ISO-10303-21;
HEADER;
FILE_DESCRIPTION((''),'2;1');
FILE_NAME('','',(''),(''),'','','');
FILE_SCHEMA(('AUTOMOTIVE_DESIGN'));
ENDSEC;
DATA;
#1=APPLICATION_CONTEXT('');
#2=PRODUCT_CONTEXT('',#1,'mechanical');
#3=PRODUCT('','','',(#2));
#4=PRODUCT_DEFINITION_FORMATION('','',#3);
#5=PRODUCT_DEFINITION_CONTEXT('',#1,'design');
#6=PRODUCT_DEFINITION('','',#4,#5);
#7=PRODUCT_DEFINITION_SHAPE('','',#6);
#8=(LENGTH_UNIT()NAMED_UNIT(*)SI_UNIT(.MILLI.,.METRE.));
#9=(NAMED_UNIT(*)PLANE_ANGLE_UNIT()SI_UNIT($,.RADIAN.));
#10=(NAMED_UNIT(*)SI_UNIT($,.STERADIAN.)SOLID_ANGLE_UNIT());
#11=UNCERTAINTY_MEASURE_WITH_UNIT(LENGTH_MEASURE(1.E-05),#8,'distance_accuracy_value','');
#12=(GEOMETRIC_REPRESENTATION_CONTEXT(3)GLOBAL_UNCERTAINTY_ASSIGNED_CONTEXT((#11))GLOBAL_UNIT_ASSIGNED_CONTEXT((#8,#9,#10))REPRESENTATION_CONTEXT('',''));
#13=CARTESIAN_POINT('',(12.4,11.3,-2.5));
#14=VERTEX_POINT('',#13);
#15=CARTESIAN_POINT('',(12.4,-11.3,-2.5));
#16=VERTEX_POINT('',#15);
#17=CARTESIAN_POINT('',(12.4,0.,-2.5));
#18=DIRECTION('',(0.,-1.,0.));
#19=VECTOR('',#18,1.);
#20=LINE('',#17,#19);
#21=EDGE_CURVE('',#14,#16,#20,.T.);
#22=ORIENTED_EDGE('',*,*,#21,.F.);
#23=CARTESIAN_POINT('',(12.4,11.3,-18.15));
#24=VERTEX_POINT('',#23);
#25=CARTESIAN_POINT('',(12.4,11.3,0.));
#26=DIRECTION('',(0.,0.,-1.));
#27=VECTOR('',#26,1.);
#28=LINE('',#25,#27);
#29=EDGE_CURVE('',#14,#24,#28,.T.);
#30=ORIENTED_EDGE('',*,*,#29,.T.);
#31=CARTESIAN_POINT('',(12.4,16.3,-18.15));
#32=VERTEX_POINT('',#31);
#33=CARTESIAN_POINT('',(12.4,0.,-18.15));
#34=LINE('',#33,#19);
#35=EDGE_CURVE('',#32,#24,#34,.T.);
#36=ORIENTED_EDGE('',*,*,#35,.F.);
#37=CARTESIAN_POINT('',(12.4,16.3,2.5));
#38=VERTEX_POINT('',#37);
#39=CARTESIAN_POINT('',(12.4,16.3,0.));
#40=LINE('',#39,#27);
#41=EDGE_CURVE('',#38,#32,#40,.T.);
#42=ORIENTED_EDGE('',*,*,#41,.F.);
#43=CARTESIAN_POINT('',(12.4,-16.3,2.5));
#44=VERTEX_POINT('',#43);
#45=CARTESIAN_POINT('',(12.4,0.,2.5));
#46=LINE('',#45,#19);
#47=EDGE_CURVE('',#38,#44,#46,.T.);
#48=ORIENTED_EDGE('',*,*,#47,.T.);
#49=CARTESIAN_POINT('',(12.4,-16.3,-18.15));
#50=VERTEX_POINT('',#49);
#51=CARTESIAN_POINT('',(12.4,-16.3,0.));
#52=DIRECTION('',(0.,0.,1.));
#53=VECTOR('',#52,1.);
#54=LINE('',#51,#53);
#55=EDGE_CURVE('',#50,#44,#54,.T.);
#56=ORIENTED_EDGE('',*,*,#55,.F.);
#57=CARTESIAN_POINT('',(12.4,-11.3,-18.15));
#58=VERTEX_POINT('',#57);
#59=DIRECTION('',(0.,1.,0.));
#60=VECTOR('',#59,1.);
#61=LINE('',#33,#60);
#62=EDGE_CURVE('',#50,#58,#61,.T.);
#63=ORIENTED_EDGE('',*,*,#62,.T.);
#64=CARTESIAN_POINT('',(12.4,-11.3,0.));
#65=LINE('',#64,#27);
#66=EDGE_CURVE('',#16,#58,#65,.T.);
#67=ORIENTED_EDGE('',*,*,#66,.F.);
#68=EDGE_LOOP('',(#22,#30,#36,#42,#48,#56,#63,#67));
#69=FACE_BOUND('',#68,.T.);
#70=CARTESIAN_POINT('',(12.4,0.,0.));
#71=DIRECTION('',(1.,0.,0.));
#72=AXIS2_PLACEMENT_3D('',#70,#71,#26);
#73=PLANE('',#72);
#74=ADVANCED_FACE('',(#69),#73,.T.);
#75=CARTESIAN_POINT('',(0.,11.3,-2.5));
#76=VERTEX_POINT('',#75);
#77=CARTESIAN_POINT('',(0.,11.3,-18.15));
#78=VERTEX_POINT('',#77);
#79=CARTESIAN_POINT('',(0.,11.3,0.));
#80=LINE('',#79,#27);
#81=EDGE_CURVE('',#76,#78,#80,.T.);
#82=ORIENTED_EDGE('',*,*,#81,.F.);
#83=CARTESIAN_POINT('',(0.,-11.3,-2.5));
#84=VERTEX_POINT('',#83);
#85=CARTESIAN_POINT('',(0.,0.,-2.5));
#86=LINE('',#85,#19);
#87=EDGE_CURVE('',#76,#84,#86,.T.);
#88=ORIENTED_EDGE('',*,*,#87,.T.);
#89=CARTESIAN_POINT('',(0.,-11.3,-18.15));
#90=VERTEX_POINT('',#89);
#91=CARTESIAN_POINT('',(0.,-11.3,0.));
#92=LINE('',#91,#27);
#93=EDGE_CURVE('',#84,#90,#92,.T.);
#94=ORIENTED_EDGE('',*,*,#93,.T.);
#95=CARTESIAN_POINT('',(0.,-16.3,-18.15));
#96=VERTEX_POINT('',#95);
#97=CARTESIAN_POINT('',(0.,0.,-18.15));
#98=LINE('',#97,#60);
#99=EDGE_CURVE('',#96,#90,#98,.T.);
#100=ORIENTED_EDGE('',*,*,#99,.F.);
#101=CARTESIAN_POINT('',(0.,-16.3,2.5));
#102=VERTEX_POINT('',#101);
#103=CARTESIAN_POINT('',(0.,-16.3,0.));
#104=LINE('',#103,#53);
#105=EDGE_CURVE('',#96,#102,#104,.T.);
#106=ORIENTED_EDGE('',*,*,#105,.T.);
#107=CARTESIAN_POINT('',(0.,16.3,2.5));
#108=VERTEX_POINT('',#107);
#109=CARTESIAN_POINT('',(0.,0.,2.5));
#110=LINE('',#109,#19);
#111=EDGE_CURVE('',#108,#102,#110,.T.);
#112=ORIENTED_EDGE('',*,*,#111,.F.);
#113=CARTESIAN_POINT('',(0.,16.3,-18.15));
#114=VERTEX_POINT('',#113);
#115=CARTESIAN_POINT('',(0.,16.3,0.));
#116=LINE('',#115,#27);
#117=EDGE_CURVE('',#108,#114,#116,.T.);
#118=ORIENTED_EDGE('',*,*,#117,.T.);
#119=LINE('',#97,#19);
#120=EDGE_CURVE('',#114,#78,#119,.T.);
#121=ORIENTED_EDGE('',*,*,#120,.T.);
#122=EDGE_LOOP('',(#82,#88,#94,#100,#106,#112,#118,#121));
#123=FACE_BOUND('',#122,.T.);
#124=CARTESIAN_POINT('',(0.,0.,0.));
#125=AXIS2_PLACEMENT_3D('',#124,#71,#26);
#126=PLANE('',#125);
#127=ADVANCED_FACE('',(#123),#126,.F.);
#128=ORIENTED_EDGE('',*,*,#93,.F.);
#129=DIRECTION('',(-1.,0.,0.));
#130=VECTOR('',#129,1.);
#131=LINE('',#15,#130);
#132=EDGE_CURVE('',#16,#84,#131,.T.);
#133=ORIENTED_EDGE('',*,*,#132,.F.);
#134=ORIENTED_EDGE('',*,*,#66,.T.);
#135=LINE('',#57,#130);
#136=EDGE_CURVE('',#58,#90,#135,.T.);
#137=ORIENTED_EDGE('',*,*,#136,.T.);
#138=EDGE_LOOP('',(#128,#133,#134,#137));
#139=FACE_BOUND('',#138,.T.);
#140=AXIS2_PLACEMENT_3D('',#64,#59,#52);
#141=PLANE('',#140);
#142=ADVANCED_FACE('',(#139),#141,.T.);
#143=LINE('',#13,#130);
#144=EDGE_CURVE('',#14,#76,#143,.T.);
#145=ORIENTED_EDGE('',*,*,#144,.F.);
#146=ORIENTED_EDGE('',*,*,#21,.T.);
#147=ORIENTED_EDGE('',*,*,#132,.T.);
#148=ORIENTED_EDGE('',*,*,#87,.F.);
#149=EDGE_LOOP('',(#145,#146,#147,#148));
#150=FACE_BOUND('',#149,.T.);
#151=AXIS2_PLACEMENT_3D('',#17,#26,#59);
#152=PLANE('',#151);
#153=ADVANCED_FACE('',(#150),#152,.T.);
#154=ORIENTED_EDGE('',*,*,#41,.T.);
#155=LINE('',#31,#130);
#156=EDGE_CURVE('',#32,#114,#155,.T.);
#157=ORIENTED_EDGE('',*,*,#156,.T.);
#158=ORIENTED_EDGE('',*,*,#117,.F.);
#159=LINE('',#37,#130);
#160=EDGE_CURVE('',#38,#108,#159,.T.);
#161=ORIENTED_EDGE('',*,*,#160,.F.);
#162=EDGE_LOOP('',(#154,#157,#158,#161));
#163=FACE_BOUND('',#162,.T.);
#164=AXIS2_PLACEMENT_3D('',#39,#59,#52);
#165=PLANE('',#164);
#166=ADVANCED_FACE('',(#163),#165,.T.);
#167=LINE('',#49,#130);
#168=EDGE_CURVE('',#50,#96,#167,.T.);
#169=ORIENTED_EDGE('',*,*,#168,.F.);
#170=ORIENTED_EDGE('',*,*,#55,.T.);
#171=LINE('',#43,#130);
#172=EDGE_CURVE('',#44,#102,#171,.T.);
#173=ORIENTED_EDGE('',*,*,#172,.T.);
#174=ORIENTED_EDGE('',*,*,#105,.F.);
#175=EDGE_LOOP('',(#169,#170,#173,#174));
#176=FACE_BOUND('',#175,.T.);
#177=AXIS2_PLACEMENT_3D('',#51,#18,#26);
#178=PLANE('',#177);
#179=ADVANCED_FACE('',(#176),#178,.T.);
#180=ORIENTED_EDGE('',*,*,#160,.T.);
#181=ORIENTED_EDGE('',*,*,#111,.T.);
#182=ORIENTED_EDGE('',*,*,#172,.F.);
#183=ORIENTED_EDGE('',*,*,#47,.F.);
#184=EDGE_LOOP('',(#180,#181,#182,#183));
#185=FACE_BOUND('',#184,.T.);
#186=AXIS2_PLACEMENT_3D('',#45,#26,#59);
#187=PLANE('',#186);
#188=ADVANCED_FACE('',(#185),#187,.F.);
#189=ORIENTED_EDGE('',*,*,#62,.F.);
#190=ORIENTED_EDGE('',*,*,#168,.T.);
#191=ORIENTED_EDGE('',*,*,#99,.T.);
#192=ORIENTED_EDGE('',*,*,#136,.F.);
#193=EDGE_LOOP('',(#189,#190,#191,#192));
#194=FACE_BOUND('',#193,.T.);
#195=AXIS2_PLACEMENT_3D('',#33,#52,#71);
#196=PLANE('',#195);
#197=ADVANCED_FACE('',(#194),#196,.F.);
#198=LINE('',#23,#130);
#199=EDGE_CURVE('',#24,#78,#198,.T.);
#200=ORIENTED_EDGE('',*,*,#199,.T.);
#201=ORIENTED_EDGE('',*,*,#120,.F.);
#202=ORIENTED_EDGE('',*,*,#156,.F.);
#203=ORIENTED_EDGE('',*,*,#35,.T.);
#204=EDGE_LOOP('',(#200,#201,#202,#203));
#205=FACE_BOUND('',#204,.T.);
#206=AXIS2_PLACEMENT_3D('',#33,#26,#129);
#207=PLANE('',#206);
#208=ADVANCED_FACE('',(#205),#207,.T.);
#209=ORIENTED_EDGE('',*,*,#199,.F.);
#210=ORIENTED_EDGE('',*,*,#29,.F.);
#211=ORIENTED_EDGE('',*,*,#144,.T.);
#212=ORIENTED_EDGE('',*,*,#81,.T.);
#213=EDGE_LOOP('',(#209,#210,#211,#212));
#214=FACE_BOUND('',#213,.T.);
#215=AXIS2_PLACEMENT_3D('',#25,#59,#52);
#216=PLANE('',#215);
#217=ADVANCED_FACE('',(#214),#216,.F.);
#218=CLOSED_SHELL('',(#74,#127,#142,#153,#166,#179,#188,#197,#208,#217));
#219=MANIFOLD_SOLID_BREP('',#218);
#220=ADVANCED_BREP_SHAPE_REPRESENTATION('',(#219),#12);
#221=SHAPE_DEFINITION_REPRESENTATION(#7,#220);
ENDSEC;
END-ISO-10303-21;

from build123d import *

# Parameters (mm, degrees)
SKETCH1_W           = 15.65
SKETCH1_H           = 5
SKETCH1_W_2         = 5
SKETCH1_H_2         = 32.6
BOSS_EXTRUDE1_DEPTH = 12.4


with BuildPart() as part:
    # Sketch1 → Boss-Extrude1 (new body)
    with BuildSketch(Plane(origin=(0, 0, 0), x_dir=(0, 0, -1), z_dir=(1, 0, 0))):
        with Locations((10.325, 13.8)):
            Rectangle(SKETCH1_W, SKETCH1_H)
        Rectangle(SKETCH1_W_2, SKETCH1_H_2)
        with Locations((10.325, -13.8)):
            Rectangle(SKETCH1_W, SKETCH1_H)
    extrude(amount=BOSS_EXTRUDE1_DEPTH)


solid = part.part
